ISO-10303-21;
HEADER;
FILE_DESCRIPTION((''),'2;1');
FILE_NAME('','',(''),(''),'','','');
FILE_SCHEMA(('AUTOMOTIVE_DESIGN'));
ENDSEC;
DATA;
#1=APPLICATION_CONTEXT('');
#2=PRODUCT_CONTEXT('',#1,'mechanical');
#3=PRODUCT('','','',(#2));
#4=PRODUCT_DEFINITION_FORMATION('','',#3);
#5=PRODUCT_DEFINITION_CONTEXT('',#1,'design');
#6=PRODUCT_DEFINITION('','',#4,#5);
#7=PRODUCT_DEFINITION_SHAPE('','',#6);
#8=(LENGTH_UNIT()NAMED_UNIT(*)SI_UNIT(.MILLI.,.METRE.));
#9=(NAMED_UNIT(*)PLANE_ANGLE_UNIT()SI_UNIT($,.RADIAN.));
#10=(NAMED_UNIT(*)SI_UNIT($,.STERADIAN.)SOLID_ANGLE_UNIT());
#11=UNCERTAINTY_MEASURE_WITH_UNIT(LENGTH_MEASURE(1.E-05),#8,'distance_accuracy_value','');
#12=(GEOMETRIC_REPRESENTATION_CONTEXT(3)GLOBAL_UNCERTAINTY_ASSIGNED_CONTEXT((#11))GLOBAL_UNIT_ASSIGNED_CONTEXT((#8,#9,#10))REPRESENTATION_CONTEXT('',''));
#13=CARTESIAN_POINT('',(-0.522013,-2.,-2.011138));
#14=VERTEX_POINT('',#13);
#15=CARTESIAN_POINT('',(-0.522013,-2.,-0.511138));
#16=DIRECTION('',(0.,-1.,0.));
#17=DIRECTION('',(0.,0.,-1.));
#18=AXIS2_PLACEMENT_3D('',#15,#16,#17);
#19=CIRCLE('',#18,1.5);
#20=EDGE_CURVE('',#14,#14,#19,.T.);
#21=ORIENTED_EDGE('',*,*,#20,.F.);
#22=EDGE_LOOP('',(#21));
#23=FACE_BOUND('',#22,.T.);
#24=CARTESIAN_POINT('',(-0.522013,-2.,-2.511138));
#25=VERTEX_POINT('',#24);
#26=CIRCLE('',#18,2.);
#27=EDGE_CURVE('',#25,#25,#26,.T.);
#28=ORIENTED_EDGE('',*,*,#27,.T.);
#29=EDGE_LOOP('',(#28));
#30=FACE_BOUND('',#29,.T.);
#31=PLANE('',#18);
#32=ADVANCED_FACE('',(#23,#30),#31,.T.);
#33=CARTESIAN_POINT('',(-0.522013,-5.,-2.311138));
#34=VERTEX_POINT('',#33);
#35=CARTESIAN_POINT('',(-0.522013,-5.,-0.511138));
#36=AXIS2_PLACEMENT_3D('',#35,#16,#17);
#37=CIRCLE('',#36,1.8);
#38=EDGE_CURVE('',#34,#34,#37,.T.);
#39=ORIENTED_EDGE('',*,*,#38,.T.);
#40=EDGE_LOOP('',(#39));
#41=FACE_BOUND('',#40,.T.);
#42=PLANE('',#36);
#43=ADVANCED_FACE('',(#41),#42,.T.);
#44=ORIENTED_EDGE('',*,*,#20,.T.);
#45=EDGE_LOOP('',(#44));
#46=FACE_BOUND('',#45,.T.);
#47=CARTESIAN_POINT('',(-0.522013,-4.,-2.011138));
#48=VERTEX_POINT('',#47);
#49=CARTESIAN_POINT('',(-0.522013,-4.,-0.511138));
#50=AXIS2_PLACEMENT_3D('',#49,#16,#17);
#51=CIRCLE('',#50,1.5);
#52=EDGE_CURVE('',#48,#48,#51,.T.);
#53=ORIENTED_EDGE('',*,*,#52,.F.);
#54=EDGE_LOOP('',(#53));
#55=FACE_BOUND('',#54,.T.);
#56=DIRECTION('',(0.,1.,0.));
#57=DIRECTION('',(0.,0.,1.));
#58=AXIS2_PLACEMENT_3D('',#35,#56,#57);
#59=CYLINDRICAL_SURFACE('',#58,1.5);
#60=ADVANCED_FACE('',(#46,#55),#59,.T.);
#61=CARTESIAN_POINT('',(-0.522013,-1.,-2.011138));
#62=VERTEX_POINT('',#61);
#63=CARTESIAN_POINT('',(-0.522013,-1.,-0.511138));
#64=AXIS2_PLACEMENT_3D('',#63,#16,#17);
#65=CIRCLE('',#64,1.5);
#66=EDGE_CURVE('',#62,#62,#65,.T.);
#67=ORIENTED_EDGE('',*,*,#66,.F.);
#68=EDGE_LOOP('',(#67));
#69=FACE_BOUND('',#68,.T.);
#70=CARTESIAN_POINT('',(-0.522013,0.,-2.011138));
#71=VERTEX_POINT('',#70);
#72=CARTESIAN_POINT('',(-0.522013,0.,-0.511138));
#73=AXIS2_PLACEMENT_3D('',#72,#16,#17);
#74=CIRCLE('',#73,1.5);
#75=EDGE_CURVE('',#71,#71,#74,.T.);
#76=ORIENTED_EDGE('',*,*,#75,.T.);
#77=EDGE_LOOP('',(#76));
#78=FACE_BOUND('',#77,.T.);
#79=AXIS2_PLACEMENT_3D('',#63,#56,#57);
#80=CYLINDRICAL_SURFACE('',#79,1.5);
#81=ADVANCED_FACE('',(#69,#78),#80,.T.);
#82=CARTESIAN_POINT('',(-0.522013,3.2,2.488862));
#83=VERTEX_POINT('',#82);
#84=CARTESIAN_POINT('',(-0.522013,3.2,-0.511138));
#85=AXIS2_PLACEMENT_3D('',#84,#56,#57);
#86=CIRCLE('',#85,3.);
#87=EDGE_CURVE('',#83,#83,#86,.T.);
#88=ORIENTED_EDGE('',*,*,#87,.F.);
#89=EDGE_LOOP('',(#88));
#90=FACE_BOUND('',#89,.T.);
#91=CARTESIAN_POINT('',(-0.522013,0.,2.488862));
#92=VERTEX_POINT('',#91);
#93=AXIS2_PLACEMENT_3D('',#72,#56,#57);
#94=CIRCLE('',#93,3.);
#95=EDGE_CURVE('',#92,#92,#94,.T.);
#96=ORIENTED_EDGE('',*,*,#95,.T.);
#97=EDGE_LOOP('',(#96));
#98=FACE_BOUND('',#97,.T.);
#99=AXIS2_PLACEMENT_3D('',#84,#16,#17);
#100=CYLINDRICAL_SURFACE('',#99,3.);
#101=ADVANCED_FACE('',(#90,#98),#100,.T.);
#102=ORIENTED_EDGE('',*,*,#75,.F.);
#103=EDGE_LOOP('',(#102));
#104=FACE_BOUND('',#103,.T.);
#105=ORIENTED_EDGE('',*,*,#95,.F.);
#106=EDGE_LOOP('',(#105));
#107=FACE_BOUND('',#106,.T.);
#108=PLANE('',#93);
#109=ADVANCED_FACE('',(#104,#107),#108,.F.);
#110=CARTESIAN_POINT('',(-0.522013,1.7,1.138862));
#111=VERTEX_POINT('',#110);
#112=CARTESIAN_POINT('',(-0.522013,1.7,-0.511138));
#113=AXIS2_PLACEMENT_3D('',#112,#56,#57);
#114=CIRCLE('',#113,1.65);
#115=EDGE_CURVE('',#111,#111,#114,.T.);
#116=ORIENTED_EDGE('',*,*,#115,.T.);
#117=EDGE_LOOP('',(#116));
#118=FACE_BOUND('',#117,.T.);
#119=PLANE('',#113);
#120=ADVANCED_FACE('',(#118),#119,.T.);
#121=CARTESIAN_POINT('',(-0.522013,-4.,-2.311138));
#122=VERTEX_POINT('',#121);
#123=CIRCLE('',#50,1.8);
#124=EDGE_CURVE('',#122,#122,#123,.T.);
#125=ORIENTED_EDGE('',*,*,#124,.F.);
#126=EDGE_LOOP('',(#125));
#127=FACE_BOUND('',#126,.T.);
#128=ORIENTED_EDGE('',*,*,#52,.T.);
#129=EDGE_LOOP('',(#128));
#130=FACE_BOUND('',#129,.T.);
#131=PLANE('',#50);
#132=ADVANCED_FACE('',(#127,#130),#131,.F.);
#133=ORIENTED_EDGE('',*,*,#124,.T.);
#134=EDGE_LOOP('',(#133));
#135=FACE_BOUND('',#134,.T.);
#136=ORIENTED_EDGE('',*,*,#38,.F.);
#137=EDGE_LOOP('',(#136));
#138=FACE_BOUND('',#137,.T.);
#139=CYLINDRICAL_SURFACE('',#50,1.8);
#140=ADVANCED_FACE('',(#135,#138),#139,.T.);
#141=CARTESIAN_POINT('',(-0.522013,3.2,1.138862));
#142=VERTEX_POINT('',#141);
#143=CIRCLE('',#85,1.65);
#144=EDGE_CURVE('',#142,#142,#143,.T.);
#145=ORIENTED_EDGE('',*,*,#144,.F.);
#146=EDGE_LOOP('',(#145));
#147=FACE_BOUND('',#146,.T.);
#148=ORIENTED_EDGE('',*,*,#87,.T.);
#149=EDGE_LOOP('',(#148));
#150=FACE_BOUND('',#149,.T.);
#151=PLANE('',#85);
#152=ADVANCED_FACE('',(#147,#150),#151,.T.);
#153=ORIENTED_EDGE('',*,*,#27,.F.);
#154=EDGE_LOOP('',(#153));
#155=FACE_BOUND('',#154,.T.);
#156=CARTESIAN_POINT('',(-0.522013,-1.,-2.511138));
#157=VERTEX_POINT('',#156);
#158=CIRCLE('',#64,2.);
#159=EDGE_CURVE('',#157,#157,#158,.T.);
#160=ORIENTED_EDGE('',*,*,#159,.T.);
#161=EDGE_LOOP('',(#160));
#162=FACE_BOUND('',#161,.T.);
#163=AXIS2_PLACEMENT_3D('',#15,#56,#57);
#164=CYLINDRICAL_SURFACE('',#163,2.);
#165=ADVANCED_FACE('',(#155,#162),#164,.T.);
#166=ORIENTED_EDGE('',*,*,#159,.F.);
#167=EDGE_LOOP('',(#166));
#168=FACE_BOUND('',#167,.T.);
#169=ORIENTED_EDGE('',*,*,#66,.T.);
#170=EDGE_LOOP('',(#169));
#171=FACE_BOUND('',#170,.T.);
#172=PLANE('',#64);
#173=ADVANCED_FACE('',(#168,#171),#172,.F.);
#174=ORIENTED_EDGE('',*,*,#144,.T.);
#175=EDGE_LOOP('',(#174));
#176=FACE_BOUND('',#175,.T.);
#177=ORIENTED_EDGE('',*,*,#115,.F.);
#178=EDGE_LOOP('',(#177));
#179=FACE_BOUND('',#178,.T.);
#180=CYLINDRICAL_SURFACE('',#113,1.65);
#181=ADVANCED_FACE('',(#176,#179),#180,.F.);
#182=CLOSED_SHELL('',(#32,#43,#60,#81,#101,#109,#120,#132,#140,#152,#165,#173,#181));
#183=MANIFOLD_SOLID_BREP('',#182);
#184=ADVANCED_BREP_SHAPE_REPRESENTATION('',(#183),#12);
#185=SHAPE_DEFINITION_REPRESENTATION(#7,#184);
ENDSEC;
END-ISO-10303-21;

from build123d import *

# Parameters (mm, degrees)
SKETCH1_R           = 3
BOSS_EXTRUDE1_DEPTH = 3.2
SKETCH1_3_R         = 1.6
BOSS_EXTRUDE2_DEPTH = 1
SKETCH5_R           = 1.5
BOSS_EXTRUDE3_DEPTH = 1
SKETCH6_R           = 2
BOSS_EXTRUDE4_DEPTH = 1
SKETCH8_R           = 1.5
BOSS_EXTRUDE5_DEPTH = 3
SKETCH10_R          = 1.8
BOSS_EXTRUDE6_DEPTH = 1
SKETCH12_R          = 1.65
CUT_EXTRUDE1_DEPTH  = 1.5


with BuildPart() as part:
    # Sketch1 → Boss-Extrude1 (new body)
    with BuildSketch(Plane(origin=(0, 0, 0), x_dir=(1, 0, 0), z_dir=(0, 1, 0))):
        with Locations((-0.522013312, 0.511138034)):
            Circle(SKETCH1_R)
    extrude(amount=BOSS_EXTRUDE1_DEPTH)

    # Sketch1<3> → Boss-Extrude2 (add)
    with BuildSketch(Plane(origin=(0, 0, 0), x_dir=(1, 0, 0), z_dir=(0, 1, 0))):
        with Locations((-0.522013312, 0.511138034)):
            Circle(SKETCH1_3_R)
    extrude(amount=BOSS_EXTRUDE2_DEPTH)

    # Sketch5 → Boss-Extrude3 (add)
    with BuildSketch(Plane.XZ):
        with Locations((-0.522013312, -0.511138034)):
            Circle(SKETCH5_R)
    extrude(amount=BOSS_EXTRUDE3_DEPTH)

    # Sketch6 → Boss-Extrude4 (add)
    with BuildSketch(Plane.XZ.offset(1)):
        with Locations((-0.522013312, -0.511138034)):
            Circle(SKETCH6_R)
    extrude(amount=BOSS_EXTRUDE4_DEPTH)

    # Sketch8 → Boss-Extrude5 (add)
    with BuildSketch(Plane(origin=(0, -2, 0), x_dir=(-1, 0, 0), z_dir=(0, -1, 0))):
        with Locations((0.522013312, 0.511138034)):
            Circle(SKETCH8_R)
    extrude(amount=BOSS_EXTRUDE5_DEPTH)

    # Sketch10 → Boss-Extrude6 (add)
    with BuildSketch(Plane.XZ.offset(5)):
        with Locations((-0.522013312, -0.511138034)):
            Circle(SKETCH10_R)
    extrude(amount=-BOSS_EXTRUDE6_DEPTH)

    # Sketch12 → Cut-Extrude1 (cut)
    with BuildSketch(Plane(origin=(0, 3.2, 0), x_dir=(1, 0, 0), z_dir=(0, 1, 0))):
        with Locations((-0.522013312, 0.511138034)):
            Circle(SKETCH12_R)
    extrude(amount=-CUT_EXTRUDE1_DEPTH, mode=Mode.SUBTRACT)


solid = part.part
